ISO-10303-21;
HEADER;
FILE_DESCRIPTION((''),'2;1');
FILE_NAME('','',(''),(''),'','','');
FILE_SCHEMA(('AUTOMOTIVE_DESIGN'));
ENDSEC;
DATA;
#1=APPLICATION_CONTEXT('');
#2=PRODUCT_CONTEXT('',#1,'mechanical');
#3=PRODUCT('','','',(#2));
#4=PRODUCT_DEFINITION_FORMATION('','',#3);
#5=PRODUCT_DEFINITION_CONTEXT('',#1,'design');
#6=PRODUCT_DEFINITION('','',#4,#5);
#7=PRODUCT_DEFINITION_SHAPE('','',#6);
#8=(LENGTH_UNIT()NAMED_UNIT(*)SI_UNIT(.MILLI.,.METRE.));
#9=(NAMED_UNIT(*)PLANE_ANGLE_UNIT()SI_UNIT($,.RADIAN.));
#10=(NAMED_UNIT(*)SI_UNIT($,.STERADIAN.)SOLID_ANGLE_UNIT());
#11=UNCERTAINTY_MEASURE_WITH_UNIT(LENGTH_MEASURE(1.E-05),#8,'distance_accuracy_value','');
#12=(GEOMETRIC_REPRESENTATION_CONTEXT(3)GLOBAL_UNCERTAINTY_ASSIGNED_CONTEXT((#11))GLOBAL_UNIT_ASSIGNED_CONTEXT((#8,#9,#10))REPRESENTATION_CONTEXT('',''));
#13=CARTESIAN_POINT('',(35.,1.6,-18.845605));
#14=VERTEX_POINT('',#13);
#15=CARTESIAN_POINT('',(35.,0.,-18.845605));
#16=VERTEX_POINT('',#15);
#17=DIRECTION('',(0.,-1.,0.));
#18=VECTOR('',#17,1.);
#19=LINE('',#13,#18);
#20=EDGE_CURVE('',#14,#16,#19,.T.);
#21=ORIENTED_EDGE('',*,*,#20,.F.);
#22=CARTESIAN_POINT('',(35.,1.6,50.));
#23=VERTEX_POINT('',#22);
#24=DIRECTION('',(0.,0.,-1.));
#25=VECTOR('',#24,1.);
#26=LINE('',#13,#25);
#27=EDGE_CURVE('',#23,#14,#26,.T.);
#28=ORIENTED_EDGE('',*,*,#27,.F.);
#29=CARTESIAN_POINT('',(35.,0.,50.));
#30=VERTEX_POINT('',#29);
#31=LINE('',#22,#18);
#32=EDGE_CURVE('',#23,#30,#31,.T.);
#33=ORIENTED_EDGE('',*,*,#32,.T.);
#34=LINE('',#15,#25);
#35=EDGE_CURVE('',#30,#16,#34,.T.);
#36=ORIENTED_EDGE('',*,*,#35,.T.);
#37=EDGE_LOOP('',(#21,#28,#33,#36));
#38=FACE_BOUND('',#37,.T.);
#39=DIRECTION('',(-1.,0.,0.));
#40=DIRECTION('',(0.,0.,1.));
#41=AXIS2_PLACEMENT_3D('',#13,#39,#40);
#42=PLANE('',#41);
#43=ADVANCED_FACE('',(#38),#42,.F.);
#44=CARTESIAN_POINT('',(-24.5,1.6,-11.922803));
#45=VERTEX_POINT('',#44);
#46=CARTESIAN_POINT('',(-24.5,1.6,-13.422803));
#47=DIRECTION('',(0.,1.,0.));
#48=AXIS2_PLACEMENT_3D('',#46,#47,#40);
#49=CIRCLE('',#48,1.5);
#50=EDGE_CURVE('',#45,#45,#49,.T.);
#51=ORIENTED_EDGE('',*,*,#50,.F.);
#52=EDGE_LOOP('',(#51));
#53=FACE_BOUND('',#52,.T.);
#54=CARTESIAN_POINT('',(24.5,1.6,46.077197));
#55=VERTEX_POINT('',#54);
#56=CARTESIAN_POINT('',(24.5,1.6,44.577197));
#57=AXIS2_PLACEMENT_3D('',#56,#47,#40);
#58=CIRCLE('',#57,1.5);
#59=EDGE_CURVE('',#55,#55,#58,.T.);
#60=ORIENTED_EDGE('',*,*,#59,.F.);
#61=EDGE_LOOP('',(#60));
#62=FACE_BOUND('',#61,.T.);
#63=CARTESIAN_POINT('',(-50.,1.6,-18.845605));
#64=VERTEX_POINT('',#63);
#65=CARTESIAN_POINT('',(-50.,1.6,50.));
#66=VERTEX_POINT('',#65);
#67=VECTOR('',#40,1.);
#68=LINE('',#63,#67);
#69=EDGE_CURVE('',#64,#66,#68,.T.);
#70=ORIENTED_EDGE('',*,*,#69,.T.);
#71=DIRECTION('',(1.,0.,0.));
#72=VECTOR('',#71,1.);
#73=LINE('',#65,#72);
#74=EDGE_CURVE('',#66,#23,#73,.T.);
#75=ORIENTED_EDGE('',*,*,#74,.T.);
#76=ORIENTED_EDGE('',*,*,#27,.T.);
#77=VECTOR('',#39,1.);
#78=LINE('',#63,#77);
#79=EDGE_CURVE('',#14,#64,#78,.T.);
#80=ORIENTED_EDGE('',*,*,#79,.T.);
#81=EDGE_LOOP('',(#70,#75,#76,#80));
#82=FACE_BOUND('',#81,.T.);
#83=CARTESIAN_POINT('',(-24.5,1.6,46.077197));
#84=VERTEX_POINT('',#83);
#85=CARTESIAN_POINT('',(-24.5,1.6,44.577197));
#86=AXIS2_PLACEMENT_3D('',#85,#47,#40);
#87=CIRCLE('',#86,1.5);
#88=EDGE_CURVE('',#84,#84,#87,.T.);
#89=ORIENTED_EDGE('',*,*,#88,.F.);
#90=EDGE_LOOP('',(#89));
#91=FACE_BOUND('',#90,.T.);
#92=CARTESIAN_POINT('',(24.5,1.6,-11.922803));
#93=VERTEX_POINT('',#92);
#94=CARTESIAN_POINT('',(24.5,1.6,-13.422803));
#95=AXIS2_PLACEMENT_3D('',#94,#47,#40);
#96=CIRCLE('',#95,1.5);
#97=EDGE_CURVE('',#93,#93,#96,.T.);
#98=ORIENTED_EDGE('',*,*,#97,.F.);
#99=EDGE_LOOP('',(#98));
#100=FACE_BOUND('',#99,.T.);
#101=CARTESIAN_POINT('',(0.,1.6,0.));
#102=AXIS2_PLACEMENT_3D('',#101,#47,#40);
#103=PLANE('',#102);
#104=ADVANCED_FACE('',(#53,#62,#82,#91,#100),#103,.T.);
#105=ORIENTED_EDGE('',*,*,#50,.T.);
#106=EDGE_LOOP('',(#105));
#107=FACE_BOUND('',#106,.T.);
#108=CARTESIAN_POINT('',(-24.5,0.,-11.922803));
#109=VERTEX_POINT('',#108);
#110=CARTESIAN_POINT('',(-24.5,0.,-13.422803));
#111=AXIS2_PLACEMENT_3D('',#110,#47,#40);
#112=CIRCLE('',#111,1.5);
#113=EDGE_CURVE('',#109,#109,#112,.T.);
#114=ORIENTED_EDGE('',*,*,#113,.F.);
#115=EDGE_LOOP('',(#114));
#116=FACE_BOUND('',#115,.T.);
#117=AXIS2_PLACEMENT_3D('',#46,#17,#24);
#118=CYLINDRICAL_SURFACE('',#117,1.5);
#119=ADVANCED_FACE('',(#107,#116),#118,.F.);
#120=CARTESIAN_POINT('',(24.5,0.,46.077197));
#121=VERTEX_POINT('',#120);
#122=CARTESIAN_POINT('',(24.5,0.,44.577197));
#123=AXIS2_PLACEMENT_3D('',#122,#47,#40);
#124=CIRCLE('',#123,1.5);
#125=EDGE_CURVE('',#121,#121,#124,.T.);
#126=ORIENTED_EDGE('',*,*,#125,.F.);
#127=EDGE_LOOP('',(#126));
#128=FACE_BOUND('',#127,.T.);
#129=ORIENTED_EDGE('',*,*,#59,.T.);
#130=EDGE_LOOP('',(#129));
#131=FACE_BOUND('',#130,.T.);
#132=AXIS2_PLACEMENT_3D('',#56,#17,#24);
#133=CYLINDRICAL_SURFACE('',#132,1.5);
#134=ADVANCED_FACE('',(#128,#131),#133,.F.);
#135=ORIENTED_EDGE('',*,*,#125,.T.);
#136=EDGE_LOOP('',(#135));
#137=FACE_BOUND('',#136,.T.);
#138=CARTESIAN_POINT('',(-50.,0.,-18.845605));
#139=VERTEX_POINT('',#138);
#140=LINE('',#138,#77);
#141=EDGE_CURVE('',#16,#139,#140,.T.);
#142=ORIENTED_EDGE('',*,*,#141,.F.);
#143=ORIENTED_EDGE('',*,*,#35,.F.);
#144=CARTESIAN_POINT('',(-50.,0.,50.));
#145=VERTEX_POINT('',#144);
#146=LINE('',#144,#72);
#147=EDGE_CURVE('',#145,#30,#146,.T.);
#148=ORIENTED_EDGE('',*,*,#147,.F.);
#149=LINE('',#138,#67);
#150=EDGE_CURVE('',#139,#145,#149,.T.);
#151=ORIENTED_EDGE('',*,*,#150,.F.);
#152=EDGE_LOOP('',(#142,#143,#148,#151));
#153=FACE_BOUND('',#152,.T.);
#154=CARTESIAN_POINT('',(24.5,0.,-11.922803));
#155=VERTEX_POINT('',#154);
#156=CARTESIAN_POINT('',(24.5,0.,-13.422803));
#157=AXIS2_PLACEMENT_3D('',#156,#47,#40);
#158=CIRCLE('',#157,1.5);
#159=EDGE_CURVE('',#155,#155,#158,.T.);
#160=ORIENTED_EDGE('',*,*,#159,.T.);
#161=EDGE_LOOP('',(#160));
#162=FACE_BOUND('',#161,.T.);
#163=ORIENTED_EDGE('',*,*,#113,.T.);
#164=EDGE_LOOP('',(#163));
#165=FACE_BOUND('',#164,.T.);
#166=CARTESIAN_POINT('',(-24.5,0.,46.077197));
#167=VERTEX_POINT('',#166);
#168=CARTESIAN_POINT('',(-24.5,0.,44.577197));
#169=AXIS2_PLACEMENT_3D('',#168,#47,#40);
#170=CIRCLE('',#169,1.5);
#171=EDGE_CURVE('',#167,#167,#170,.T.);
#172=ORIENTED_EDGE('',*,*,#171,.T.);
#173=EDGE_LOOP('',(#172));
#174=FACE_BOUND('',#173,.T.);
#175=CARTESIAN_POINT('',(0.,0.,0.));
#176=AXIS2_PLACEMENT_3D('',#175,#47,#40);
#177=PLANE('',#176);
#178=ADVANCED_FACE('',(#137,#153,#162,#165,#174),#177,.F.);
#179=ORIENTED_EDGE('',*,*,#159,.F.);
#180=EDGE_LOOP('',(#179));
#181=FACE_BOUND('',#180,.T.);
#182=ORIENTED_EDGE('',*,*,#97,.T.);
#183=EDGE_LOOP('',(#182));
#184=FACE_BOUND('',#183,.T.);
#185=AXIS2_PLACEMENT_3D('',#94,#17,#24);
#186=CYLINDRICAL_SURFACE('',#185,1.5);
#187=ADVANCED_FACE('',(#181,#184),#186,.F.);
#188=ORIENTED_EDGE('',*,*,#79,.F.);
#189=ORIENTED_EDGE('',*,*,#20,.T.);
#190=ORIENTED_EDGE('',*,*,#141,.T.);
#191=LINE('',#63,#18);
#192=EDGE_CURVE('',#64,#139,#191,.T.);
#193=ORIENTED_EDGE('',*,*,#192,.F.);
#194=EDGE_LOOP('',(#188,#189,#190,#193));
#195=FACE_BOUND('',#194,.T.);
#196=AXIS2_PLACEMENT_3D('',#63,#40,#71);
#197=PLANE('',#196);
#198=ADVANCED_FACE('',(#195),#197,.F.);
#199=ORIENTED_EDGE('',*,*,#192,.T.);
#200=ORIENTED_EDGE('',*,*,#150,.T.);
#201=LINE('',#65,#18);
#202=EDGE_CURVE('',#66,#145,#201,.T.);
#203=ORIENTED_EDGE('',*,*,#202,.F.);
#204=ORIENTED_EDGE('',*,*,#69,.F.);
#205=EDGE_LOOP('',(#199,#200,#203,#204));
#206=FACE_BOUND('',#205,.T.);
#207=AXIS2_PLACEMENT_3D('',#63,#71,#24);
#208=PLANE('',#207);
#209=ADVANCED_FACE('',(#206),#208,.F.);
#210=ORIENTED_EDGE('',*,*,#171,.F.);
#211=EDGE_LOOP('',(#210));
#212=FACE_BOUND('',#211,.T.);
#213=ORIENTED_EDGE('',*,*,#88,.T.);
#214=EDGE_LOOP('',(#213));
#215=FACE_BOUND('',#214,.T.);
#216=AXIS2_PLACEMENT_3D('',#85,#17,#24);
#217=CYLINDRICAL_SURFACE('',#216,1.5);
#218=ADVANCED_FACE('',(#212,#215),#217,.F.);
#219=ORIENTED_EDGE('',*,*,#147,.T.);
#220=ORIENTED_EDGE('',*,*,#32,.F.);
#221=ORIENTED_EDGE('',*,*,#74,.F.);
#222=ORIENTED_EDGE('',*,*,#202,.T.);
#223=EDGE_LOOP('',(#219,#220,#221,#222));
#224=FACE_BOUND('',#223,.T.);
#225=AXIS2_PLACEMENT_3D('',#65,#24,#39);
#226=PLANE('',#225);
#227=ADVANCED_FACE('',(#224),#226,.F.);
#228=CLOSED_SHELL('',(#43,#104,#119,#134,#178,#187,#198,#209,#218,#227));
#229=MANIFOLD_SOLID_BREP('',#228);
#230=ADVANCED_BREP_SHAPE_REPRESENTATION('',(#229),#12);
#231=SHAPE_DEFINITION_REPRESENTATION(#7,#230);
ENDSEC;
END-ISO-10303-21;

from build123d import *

# Parameters (mm, degrees)
CROQUIS1_W              = 85
CROQUIS1_H              = 68.845605015
CROQUIS1_R              = 1.5
SALIENTE_EXTRUIR1_DEPTH = 1.6


with BuildPart() as part:
    # Croquis1 → Saliente-Extruir1 (new body)
    with BuildSketch(Plane(origin=(0, 0, 0), x_dir=(1, 0, 0), z_dir=(0, 1, 0))):
        with Locations((-7.5, -15.577197492)):
            Rectangle(CROQUIS1_W, CROQUIS1_H)
        with Locations(Location((-24.5, 13.422802508, 0), (0, 0, 270))):
            Circle(CROQUIS1_R, mode=Mode.SUBTRACT)
        with Locations(Location((24.5, 13.422802508, 0), (0, 0, 270))):
            Circle(CROQUIS1_R, mode=Mode.SUBTRACT)
        with Locations(Location((-24.5, -44.577197492, 0), (0, 0, 270))):
            Circle(CROQUIS1_R, mode=Mode.SUBTRACT)
        with Locations(Location((24.5, -44.577197492, 0), (0, 0, 270))):
            Circle(CROQUIS1_R, mode=Mode.SUBTRACT)
    extrude(amount=SALIENTE_EXTRUIR1_DEPTH)


solid = part.part
